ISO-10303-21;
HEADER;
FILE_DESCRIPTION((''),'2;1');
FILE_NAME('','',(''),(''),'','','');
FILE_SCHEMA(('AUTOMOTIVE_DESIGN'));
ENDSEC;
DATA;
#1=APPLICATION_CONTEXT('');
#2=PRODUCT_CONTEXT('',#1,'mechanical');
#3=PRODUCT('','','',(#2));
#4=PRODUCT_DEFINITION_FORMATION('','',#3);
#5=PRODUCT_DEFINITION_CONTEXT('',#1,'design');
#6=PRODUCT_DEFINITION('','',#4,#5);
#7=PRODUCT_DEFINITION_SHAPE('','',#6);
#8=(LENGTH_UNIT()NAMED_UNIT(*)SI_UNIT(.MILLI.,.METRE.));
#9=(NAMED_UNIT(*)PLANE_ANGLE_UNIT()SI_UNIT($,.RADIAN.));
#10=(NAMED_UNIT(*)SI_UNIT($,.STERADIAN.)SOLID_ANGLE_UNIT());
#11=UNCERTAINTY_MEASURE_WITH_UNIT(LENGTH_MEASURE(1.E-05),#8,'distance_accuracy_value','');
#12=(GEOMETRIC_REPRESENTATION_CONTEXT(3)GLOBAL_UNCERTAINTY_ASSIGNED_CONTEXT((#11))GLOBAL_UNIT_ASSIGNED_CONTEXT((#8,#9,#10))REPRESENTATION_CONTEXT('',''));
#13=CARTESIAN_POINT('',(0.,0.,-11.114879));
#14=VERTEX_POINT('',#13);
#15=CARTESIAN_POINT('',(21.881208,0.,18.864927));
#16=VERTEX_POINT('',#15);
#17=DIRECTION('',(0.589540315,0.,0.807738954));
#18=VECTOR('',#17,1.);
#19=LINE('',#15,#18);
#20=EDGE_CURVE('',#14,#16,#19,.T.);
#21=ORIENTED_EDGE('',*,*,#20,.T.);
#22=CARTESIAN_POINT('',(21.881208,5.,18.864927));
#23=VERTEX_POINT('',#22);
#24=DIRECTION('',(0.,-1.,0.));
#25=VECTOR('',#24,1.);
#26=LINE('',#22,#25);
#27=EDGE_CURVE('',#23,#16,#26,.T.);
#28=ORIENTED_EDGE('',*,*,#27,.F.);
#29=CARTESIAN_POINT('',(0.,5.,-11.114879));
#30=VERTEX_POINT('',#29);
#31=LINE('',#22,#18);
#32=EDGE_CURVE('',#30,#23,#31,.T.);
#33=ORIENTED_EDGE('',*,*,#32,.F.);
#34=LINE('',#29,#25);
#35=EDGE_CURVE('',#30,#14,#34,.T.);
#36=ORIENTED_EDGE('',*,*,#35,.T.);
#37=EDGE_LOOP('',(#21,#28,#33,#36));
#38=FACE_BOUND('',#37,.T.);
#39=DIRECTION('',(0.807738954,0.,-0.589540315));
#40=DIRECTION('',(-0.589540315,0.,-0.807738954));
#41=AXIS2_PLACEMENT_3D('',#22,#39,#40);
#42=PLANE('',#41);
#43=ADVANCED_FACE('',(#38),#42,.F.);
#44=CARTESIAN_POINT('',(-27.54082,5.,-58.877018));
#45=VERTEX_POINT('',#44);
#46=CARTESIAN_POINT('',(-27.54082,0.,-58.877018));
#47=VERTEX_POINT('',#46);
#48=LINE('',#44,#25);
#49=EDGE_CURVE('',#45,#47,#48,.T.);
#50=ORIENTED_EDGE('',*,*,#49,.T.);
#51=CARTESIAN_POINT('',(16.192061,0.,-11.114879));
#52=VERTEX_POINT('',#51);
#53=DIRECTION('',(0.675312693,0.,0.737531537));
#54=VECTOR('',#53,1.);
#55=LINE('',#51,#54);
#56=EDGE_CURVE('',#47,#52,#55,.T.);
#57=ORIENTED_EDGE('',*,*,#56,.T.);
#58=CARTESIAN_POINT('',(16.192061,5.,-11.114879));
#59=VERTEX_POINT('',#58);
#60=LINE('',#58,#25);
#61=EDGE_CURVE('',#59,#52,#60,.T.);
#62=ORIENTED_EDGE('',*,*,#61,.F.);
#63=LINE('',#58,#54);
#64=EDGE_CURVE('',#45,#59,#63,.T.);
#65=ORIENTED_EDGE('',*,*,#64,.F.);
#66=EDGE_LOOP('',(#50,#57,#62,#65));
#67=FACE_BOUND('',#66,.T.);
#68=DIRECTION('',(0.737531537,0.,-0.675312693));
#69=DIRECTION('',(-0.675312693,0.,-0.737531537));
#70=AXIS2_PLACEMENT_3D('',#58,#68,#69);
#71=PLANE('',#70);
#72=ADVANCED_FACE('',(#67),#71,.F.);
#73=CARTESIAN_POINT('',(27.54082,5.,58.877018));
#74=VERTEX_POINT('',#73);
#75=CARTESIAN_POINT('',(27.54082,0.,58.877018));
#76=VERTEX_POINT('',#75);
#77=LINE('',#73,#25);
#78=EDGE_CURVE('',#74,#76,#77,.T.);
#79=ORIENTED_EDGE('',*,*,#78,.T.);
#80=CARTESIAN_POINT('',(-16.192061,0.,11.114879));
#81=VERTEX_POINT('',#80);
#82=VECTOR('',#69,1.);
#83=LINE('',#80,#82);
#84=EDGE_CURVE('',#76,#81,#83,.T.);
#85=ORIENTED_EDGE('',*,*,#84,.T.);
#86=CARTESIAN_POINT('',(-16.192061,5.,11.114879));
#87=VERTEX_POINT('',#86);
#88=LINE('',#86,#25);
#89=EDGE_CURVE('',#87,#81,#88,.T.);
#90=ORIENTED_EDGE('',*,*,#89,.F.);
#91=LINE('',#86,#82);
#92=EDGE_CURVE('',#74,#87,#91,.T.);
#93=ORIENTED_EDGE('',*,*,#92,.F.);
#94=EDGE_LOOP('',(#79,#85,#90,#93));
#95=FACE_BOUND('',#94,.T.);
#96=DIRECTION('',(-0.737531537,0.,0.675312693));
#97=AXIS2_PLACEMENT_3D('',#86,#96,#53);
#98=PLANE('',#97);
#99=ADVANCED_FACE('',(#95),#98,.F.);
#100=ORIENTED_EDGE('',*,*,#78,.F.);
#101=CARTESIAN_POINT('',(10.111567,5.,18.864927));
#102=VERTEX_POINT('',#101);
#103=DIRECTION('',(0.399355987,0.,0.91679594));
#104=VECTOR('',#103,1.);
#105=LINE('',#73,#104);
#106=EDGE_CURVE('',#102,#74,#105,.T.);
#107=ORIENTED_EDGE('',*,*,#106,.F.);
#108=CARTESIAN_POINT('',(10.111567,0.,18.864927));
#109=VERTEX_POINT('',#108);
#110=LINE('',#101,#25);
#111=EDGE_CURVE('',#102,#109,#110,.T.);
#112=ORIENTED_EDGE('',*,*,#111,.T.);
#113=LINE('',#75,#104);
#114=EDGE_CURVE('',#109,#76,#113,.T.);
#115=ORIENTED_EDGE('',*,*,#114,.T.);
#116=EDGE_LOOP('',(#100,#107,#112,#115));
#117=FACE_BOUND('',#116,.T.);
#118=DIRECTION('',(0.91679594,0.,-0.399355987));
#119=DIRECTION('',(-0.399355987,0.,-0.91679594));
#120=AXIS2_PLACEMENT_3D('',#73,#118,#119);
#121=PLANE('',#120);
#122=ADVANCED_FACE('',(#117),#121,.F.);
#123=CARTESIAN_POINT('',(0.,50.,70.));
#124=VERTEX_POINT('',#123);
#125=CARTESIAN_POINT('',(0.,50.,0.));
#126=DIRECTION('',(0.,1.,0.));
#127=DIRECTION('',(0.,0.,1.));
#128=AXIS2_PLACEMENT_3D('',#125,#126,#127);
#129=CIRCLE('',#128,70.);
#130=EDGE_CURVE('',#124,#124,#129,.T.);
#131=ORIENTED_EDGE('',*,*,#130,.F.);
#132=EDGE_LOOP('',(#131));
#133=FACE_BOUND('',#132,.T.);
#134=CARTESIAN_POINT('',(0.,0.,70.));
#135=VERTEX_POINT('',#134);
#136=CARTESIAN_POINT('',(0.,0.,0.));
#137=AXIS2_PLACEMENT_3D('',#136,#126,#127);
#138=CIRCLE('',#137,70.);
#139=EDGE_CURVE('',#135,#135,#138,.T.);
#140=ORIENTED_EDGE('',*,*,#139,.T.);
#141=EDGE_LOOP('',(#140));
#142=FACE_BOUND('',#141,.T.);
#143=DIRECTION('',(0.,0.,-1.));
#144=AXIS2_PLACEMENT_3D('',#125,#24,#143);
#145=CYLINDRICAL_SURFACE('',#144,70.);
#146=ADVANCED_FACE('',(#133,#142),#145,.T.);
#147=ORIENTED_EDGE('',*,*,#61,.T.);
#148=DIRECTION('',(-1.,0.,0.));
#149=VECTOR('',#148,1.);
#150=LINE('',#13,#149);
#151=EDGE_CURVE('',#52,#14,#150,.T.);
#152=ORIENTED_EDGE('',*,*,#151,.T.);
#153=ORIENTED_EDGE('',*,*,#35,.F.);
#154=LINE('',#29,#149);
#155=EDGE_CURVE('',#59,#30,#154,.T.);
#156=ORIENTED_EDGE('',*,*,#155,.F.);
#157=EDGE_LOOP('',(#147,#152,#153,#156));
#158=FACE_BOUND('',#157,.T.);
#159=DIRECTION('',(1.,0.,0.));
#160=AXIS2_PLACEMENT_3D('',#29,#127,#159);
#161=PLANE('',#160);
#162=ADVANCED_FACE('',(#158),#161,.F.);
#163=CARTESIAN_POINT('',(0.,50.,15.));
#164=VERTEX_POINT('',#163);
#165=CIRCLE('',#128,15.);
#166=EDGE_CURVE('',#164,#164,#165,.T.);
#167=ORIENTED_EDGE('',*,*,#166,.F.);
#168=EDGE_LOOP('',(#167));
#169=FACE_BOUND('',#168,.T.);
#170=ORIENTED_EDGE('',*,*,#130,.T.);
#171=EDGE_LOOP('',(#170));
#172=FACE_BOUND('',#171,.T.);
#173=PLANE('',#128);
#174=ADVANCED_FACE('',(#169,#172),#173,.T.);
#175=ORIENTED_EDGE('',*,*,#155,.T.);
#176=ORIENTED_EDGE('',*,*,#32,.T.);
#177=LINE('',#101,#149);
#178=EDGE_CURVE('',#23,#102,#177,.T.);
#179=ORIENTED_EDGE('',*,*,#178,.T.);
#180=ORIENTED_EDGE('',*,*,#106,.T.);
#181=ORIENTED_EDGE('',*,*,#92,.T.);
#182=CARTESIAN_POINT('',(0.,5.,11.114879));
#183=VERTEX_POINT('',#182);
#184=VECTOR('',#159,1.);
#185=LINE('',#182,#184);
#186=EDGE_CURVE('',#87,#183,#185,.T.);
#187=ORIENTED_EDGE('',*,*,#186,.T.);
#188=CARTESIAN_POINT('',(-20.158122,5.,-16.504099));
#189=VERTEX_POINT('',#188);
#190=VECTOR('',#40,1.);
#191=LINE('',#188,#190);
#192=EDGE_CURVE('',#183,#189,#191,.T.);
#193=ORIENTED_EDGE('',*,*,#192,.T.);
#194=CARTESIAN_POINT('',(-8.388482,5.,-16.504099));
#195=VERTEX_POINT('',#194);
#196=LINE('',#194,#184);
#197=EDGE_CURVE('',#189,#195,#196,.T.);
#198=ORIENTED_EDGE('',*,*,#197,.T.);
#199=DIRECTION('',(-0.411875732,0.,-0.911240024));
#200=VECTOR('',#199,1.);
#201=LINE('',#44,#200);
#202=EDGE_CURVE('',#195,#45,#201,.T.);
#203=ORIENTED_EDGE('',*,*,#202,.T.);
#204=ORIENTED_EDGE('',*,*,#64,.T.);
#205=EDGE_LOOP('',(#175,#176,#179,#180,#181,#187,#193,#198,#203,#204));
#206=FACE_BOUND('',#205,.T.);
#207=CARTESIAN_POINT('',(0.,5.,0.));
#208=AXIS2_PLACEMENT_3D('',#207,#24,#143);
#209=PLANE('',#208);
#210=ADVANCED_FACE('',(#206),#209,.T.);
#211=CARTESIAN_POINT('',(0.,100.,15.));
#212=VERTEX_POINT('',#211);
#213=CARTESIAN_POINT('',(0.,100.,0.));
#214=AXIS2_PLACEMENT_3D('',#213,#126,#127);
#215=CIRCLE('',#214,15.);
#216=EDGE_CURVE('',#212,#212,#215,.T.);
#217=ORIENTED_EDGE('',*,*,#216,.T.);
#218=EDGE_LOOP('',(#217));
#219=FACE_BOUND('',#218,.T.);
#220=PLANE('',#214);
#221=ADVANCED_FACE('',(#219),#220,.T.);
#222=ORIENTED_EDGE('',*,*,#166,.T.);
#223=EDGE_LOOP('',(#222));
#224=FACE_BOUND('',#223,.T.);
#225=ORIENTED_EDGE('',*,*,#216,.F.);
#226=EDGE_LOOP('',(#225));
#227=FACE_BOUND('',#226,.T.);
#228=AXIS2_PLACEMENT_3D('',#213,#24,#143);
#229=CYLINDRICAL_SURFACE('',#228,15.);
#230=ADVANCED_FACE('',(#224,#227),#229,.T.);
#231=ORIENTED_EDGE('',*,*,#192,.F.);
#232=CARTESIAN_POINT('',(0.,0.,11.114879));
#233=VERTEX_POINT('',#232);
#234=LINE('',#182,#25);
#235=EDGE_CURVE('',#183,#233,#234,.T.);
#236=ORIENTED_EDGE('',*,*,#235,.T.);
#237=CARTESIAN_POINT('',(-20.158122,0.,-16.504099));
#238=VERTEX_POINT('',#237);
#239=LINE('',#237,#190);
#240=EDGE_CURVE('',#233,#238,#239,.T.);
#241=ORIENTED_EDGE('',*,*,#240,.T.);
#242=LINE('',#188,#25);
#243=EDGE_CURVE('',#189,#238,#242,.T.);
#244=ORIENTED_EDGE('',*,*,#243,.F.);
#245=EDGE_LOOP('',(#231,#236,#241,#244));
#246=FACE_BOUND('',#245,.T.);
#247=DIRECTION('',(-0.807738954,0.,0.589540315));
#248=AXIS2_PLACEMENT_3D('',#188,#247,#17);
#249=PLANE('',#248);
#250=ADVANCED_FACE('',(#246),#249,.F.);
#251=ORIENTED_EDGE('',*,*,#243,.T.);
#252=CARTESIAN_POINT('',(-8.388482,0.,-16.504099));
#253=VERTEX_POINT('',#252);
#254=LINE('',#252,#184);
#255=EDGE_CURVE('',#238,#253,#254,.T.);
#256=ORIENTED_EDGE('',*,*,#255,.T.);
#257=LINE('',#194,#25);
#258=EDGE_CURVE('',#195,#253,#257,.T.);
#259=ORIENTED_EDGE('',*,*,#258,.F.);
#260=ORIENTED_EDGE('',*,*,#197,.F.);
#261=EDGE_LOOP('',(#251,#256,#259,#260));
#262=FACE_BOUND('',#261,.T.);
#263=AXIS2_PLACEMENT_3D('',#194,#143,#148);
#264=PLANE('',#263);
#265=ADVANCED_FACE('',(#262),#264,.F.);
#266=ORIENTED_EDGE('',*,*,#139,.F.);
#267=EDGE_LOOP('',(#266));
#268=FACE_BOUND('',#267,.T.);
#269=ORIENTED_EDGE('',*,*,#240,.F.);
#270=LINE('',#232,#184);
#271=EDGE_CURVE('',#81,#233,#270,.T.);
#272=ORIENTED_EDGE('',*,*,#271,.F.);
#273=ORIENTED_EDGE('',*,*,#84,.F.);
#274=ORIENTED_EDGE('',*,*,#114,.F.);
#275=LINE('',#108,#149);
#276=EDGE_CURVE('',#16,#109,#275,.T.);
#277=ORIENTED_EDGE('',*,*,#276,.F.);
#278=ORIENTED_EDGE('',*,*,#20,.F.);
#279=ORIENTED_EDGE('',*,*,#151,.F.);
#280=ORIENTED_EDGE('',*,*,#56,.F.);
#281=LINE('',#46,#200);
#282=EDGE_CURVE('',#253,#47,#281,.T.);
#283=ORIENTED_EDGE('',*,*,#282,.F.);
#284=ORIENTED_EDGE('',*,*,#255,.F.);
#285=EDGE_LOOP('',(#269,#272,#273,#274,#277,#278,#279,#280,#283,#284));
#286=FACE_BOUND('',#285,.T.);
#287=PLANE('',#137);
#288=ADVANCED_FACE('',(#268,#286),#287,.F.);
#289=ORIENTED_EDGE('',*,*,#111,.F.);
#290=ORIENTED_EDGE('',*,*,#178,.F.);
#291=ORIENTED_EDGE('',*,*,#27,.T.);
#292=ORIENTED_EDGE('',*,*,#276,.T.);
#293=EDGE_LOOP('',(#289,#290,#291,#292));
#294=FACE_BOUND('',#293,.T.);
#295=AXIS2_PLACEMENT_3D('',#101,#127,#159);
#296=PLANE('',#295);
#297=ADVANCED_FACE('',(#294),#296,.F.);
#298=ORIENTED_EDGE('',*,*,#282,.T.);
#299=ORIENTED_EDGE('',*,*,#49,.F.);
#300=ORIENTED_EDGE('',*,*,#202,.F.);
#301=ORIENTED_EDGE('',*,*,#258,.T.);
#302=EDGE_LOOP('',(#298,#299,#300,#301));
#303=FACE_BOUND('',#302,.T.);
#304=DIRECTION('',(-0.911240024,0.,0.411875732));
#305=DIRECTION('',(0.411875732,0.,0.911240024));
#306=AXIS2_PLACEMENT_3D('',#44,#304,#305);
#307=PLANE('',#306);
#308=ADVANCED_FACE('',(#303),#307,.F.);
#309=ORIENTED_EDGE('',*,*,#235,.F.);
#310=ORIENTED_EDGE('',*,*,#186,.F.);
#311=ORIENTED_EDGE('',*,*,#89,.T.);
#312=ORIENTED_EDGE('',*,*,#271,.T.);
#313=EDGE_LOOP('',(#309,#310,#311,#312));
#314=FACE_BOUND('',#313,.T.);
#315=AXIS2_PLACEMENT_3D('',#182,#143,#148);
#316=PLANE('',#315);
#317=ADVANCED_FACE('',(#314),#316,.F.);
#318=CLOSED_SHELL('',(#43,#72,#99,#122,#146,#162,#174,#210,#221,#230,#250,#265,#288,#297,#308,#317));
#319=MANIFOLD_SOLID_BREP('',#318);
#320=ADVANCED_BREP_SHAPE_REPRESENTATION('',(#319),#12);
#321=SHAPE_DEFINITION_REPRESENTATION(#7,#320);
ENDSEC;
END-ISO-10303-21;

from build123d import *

# Parameters (mm, degrees)
SKETCH1_R           = 70
BOSS_EXTRUDE1_DEPTH = 50
SKETCH2_R           = 15
BOSS_EXTRUDE2_DEPTH = 50
CUT_EXTRUDE1_DEPTH  = 5


with BuildPart() as part:
    # Sketch1 → Boss-Extrude1 (new body)
    with BuildSketch(Plane(origin=(0, 0, 0), x_dir=(1, 0, 0), z_dir=(0, 1, 0))):
        with Locations(Location((0, 0, 0), (0, 0, 270))):
            Circle(SKETCH1_R)
    extrude(amount=BOSS_EXTRUDE1_DEPTH)

    # Sketch2 → Boss-Extrude2 (add)
    with BuildSketch(Plane(origin=(0, 50, 0), x_dir=(1, 0, 0), z_dir=(0, 1, 0))):
        with Locations(Location((0, 0, 0), (0, 0, 270))):
            Circle(SKETCH2_R)
    extrude(amount=BOSS_EXTRUDE2_DEPTH)

    # Sketch3 → Cut-Extrude1 (cut)
    with BuildSketch(Plane.XZ):
        Polygon((-16.192060877, 11.114878754), (27.540819943, 58.8770179), (10.111567195, 18.864926724), (21.881207876, 18.864926724), (0, -11.114878754), (16.192060877, -11.114878754), (-27.540819943, -58.8770179), (-8.388481815, -16.504098893), (-20.158122496, -16.504098893), (0, 11.114878754), align=None)
    extrude(amount=-CUT_EXTRUDE1_DEPTH, mode=Mode.SUBTRACT)


solid = part.part
